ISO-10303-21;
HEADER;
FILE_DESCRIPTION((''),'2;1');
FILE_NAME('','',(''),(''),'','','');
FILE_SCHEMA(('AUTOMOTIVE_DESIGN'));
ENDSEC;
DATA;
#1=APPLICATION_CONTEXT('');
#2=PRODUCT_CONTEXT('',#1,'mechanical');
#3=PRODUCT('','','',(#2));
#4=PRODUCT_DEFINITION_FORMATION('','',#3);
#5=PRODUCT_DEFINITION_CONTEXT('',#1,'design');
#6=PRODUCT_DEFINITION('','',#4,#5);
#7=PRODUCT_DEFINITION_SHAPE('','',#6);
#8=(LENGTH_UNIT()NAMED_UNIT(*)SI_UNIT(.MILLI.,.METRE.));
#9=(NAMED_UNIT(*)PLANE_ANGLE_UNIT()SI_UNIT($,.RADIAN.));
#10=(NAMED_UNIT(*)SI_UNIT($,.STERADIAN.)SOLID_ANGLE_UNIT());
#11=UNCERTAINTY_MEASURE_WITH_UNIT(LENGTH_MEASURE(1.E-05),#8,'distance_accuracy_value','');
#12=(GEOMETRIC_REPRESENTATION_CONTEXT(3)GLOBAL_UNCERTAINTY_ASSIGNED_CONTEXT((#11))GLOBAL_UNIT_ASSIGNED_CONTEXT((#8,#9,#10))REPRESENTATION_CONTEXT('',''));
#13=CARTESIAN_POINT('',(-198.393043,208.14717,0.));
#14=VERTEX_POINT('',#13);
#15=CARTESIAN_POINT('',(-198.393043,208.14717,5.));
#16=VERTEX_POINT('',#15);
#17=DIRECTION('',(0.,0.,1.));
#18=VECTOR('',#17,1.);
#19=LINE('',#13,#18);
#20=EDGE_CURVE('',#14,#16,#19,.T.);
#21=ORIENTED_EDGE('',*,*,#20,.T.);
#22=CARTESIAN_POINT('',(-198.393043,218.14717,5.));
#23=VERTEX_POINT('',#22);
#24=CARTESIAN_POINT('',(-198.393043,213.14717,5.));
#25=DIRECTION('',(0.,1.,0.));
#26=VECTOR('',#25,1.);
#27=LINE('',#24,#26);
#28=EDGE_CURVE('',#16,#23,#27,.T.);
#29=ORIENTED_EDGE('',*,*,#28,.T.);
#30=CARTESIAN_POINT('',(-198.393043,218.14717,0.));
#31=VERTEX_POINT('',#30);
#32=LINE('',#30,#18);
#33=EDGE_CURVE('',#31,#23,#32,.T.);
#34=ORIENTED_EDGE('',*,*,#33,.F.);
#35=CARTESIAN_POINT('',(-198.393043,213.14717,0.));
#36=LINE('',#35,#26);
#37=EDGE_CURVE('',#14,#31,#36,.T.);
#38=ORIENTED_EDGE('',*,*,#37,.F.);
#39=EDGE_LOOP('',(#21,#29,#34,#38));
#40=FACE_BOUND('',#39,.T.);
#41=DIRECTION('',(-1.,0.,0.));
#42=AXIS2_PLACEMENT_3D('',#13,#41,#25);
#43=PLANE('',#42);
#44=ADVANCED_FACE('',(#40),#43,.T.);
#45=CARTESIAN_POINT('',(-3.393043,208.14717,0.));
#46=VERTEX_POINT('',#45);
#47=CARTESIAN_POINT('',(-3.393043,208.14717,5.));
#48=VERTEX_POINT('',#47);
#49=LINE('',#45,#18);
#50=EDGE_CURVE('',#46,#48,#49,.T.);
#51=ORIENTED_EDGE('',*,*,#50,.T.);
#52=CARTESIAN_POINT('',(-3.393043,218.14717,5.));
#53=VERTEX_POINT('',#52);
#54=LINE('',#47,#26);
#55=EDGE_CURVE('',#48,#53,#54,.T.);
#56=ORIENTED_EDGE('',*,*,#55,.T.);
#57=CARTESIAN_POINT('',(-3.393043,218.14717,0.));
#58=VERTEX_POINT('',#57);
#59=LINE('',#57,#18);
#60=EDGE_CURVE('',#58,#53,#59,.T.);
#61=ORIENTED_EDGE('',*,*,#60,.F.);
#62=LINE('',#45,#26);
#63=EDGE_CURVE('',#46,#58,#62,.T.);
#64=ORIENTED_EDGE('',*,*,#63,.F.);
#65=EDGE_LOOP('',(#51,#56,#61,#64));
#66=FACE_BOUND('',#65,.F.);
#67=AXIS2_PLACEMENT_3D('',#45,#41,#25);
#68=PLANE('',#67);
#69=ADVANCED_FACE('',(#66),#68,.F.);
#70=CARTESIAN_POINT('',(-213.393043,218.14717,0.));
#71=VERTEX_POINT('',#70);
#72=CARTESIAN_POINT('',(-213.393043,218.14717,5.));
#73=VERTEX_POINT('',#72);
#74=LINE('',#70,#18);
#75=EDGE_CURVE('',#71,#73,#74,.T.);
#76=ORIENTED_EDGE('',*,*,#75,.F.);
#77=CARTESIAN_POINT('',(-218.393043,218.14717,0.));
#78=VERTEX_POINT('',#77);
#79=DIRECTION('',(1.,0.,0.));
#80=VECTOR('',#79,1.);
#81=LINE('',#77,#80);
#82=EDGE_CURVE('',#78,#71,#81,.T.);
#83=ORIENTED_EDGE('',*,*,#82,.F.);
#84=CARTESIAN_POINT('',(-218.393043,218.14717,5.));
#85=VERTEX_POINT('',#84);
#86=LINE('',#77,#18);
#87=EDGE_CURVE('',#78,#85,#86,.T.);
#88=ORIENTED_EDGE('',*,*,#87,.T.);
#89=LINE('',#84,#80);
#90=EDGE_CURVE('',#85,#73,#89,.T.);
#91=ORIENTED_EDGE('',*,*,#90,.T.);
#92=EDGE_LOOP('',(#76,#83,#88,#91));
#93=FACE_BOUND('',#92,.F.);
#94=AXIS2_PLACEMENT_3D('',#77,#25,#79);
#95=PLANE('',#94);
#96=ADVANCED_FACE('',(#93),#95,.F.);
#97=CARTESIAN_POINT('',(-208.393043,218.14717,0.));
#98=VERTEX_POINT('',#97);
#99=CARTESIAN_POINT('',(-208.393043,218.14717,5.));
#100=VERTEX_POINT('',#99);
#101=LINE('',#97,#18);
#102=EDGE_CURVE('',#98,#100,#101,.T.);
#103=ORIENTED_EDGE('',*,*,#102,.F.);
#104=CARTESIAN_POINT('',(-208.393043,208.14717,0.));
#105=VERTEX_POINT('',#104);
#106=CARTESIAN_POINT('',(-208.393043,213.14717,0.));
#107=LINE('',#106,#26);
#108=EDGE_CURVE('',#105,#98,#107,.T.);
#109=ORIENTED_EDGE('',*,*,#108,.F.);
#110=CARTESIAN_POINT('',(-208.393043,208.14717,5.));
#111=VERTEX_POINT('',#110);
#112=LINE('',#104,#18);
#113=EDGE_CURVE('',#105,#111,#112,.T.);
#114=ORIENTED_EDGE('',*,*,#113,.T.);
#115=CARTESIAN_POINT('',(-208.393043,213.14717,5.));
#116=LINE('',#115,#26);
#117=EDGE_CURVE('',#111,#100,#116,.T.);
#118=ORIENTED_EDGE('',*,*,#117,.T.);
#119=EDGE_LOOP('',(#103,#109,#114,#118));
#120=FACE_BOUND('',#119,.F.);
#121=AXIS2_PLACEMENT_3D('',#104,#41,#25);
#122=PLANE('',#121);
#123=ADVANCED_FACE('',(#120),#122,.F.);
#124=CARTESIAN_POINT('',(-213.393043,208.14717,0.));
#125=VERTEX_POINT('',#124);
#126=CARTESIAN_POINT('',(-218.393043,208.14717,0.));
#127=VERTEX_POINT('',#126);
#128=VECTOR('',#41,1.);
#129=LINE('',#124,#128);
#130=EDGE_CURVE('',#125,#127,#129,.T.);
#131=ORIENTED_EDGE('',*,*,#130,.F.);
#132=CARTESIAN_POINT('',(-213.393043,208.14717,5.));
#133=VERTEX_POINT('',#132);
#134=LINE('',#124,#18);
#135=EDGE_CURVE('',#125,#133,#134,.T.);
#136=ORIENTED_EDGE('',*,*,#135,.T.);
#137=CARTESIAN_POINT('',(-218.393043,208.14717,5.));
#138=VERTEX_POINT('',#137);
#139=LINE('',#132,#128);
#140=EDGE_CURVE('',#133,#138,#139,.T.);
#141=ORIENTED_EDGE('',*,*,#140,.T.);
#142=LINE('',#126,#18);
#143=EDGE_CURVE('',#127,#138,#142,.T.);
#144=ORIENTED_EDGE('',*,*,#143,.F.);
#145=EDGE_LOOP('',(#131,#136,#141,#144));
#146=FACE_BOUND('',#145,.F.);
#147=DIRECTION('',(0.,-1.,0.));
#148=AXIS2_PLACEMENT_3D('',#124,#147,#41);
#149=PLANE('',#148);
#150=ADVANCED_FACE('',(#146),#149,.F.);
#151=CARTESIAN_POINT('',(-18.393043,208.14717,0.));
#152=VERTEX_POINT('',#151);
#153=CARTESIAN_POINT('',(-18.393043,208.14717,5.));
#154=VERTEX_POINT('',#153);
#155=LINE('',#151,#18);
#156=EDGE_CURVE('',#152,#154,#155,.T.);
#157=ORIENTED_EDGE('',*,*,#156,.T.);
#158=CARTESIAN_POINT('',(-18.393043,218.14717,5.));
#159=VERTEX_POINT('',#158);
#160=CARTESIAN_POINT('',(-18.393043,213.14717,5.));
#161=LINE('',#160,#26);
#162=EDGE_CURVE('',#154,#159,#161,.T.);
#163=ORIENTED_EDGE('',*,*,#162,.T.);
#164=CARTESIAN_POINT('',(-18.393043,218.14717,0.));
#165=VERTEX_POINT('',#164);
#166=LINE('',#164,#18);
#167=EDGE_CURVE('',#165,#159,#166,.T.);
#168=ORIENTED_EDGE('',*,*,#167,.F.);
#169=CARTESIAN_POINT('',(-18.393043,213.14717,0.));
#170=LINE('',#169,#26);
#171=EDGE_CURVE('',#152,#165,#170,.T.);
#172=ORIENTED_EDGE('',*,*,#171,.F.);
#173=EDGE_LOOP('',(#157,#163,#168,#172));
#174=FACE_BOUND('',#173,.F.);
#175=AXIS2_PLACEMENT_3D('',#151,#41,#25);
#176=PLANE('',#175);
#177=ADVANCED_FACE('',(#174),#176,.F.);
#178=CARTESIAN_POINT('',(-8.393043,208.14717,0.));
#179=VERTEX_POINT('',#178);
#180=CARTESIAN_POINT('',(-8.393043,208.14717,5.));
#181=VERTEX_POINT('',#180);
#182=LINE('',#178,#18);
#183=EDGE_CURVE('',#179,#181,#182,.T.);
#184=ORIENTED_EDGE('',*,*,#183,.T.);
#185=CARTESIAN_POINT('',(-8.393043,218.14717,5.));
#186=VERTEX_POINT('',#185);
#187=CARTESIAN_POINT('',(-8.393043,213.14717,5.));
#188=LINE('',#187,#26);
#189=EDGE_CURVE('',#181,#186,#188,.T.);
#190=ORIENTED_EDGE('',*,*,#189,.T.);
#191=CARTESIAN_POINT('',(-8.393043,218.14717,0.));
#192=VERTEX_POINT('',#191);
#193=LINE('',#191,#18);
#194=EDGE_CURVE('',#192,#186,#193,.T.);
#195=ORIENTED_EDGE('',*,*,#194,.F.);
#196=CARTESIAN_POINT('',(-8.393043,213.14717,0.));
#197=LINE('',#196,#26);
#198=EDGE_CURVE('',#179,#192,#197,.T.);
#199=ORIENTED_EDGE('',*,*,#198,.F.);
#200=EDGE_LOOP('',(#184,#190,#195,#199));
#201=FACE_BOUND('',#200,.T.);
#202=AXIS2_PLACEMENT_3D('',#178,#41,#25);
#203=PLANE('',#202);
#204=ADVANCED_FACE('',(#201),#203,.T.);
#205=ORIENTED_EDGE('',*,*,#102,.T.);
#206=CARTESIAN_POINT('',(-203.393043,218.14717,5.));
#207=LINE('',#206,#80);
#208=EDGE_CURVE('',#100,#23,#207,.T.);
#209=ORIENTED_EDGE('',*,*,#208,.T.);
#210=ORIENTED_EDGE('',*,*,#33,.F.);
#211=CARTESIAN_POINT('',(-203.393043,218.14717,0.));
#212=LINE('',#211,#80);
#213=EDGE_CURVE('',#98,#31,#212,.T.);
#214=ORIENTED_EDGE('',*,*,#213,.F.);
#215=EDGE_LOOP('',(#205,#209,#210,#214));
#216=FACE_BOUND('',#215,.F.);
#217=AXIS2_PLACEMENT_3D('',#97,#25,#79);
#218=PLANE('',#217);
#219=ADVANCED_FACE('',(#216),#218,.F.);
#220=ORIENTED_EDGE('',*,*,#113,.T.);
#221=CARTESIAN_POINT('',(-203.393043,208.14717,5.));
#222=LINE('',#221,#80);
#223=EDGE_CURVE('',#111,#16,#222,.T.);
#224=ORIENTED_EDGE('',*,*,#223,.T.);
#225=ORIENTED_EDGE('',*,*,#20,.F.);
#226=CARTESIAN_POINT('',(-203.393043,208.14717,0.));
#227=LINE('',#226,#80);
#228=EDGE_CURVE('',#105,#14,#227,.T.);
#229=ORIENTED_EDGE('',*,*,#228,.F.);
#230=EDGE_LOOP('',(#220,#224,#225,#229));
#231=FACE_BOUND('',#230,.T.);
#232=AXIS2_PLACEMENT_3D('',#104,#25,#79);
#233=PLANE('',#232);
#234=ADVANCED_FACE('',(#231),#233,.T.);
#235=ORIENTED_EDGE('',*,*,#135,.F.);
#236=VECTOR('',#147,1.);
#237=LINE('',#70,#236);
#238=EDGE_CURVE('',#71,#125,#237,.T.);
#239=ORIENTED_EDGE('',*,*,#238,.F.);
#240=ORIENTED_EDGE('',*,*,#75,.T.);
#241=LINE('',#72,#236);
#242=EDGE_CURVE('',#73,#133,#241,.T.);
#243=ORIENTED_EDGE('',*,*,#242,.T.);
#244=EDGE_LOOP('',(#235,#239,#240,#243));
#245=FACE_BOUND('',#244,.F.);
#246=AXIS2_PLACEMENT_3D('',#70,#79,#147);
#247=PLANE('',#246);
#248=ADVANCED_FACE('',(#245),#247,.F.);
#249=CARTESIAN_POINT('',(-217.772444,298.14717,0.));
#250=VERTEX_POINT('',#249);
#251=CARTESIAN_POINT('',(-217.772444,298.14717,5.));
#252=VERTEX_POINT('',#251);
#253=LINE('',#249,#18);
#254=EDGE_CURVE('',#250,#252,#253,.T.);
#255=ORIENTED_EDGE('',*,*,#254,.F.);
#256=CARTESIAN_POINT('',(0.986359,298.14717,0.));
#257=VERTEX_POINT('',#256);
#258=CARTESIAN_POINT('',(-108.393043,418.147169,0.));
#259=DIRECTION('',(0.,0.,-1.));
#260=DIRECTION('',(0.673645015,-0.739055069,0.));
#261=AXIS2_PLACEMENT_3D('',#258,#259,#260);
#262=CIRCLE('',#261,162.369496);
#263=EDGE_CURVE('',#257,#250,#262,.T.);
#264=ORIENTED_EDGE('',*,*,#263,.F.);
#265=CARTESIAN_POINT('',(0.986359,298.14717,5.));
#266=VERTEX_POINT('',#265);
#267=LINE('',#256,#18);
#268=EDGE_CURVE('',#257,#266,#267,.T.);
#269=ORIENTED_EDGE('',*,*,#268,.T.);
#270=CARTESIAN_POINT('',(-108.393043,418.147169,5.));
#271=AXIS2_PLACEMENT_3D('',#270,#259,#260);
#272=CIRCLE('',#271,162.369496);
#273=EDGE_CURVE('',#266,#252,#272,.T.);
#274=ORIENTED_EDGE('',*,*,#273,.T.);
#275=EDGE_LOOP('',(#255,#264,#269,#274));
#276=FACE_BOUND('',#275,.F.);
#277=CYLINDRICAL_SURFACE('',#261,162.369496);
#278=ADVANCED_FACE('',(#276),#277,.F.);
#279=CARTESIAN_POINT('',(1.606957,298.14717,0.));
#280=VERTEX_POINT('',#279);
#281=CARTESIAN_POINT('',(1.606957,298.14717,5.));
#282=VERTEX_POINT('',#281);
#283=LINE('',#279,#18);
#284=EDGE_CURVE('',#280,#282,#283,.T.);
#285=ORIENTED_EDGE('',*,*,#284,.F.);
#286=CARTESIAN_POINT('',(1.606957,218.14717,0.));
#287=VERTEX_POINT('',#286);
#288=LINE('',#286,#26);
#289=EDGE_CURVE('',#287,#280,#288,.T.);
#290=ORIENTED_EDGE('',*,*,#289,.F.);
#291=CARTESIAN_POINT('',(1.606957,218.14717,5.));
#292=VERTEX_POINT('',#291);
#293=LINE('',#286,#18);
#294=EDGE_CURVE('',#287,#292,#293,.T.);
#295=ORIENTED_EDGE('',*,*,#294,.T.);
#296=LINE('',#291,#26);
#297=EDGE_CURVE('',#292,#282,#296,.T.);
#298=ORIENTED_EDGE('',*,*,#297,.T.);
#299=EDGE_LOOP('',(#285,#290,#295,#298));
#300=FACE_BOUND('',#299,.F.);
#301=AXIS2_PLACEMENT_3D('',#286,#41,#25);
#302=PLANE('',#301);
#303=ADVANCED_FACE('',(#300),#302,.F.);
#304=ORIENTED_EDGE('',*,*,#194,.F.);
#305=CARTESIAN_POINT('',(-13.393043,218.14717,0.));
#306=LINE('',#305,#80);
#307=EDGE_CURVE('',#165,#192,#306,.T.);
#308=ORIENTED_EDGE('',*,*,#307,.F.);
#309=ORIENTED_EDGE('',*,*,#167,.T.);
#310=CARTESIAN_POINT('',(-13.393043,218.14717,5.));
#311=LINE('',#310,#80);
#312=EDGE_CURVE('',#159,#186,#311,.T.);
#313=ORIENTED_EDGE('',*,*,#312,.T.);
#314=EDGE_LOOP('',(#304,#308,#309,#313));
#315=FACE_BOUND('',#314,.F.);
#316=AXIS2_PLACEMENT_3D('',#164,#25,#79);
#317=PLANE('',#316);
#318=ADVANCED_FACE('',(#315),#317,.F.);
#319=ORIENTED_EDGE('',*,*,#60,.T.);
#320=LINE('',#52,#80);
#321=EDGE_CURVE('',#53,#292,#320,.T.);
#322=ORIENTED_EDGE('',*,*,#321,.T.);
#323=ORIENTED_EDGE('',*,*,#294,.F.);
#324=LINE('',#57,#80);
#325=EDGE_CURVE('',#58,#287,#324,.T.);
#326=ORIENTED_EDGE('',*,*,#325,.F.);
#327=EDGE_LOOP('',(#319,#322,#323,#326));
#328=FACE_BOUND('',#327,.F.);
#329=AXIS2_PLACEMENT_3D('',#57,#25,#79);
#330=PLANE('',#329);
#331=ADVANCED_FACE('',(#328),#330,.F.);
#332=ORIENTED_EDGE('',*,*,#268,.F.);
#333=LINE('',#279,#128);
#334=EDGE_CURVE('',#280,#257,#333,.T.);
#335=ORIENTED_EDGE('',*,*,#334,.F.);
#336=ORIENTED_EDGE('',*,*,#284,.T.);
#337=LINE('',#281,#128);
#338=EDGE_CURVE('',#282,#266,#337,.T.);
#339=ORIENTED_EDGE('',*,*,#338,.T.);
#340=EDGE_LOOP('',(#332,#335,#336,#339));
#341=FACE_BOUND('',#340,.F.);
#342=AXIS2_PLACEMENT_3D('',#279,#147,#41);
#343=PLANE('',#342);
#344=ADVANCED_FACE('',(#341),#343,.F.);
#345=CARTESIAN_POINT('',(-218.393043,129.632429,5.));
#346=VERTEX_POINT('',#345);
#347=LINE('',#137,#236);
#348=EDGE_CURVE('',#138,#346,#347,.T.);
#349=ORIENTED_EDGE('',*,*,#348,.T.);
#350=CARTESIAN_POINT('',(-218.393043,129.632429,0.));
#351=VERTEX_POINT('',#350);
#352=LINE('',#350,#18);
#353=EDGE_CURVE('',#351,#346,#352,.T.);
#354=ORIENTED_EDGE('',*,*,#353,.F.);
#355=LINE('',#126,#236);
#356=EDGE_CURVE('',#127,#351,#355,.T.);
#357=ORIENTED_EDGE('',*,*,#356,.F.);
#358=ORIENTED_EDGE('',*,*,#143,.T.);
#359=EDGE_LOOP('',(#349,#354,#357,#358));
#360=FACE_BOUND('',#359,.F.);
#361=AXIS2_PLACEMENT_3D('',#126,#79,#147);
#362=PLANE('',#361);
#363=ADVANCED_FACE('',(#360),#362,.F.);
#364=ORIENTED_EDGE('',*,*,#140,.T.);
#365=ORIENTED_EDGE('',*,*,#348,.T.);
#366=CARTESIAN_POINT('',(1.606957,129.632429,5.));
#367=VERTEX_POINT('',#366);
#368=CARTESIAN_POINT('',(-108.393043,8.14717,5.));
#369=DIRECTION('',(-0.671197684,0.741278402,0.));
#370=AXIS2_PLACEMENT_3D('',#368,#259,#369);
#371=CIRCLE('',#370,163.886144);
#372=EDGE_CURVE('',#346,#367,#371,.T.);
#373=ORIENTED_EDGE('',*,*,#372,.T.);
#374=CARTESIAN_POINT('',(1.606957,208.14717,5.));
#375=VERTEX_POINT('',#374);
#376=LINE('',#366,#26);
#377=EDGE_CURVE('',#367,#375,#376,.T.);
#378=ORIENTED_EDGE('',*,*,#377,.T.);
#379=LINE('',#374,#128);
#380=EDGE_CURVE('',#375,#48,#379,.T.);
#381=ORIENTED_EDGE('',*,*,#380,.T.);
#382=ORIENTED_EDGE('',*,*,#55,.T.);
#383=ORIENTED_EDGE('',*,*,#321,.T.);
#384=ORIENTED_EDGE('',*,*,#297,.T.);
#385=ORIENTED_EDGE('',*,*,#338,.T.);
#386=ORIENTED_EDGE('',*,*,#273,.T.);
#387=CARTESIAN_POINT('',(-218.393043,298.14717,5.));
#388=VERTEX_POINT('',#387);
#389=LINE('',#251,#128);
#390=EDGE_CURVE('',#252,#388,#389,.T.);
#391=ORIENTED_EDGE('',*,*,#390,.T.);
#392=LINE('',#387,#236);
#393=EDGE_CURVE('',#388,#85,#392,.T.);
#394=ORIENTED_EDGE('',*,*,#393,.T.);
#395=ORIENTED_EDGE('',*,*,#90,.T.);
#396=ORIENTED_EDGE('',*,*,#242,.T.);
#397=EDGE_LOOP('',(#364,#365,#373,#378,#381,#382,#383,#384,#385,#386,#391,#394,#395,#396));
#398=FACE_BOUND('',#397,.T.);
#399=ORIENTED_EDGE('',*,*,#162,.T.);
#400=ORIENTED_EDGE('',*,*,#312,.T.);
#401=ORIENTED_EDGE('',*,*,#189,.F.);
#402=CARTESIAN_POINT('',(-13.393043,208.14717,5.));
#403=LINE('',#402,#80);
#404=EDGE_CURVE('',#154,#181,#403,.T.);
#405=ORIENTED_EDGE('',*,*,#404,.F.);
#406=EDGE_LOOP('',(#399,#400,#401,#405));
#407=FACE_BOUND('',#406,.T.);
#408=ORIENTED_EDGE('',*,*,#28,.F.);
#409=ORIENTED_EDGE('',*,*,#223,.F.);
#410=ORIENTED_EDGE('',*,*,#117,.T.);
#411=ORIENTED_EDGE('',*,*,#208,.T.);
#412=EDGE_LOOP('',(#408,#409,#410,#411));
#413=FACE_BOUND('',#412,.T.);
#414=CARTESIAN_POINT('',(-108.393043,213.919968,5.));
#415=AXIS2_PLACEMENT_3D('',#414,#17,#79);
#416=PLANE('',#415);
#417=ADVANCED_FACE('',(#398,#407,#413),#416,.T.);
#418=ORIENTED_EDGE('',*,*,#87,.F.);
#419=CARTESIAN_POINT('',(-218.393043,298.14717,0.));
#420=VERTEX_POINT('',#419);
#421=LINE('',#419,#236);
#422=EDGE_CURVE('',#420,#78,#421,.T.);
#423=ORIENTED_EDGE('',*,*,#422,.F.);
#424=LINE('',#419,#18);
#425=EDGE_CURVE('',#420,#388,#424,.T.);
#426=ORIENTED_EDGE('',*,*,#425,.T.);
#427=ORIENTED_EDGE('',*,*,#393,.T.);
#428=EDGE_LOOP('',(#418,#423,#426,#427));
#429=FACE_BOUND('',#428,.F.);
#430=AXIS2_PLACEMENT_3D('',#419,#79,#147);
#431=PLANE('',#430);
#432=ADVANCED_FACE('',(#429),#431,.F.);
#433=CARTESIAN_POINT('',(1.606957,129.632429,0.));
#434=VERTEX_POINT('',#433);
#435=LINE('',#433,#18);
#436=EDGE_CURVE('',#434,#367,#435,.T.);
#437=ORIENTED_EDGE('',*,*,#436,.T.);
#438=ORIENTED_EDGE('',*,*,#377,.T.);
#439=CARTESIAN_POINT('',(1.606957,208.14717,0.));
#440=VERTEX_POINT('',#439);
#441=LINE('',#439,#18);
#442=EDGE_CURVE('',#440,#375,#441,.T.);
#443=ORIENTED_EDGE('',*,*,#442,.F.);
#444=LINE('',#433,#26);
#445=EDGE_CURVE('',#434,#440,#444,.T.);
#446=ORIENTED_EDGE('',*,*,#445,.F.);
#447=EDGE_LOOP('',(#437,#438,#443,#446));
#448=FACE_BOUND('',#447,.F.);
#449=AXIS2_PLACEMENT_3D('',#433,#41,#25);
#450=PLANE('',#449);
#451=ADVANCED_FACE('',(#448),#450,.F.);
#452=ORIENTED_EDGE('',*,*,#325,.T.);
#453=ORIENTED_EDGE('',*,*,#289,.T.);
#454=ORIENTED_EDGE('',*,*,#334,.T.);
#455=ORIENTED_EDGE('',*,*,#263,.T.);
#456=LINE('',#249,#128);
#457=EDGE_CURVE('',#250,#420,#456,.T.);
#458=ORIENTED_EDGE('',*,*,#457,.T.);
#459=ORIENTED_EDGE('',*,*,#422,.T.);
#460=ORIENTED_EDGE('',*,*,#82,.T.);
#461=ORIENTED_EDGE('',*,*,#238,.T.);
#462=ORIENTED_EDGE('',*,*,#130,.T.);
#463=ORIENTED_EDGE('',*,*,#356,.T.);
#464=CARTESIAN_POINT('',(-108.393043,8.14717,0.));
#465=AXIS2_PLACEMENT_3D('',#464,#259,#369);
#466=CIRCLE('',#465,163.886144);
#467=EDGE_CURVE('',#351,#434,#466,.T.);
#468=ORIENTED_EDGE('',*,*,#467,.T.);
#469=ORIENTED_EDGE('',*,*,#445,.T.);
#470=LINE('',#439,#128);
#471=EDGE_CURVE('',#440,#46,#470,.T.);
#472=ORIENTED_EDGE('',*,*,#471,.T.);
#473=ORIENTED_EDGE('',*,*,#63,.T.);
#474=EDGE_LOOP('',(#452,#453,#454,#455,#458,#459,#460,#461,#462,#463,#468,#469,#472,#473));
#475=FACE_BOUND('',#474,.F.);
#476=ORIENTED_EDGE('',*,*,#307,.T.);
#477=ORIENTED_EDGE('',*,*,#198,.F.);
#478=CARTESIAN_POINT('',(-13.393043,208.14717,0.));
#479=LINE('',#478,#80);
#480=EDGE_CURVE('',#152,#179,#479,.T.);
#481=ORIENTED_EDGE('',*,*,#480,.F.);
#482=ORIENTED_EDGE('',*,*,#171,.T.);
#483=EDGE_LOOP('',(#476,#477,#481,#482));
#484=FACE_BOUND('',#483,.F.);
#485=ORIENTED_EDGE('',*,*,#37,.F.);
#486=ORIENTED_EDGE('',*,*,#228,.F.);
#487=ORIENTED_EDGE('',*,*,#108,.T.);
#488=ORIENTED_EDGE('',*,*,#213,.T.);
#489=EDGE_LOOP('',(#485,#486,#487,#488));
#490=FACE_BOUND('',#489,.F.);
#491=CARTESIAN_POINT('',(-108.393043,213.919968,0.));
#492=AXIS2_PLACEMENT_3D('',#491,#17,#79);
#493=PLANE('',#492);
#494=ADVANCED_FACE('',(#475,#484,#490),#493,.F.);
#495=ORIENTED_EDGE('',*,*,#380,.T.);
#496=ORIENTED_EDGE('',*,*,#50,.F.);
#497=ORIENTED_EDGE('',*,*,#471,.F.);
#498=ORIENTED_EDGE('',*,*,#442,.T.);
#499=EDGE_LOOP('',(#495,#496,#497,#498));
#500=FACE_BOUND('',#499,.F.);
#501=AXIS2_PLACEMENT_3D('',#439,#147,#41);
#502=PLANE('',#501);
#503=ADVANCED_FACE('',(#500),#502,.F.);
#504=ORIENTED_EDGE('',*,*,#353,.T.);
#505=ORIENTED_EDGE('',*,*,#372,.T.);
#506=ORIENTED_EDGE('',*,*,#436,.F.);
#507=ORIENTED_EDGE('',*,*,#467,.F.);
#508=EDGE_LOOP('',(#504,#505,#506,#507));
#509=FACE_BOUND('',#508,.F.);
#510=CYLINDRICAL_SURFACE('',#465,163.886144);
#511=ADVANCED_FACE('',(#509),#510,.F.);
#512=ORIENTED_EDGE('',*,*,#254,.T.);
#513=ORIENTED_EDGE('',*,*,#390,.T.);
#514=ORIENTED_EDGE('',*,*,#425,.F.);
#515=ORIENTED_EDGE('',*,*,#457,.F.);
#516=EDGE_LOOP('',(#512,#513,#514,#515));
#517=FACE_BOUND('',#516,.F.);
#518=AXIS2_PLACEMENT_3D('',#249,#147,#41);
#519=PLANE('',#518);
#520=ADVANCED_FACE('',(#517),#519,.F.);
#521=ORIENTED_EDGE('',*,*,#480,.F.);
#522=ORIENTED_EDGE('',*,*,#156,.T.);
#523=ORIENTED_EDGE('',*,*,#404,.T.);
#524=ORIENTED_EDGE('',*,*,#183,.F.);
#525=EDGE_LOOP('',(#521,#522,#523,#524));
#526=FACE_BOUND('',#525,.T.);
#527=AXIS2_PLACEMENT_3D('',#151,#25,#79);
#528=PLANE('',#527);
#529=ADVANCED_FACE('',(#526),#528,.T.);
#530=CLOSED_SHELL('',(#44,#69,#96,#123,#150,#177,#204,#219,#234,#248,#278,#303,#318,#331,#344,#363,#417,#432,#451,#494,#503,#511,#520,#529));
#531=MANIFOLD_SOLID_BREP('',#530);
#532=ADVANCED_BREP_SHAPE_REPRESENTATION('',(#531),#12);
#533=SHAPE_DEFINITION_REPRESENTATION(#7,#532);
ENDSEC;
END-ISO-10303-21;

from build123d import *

# Parameters (mm, degrees)
F0_W     = 10
F0_H     = 10
F1_DEPTH = 5


with BuildPart() as f1:
    # F0 (on Top) → F1 (new body)
    with BuildSketch(Plane.XY):
        with BuildLine():
            Line((-217.772444, 298.14717), (-218.393043, 298.14717))
            Line((-218.393043, 298.14717), (-218.393043, 218.14717))
            Line((-218.393043, 218.14717), (-213.393043, 218.14717))
            Line((-213.393043, 218.14717), (-213.393043, 208.14717))
            Line((-213.393043, 208.14717), (-218.393043, 208.14717))
            Line((-218.393043, 208.14717), (-218.393043, 129.632429))
            ThreePointArc((-218.393043, 129.632429), (-108.393043, 172.033314), (1.606957, 129.632429))
            Line((1.606957, 129.632429), (1.606957, 208.14717))
            Line((1.606957, 208.14717), (-3.393043, 208.14717))
            Line((-3.393043, 208.14717), (-3.393043, 218.14717))
            Line((-3.393043, 218.14717), (1.606957, 218.14717))
            Line((1.606957, 218.14717), (1.606957, 298.14717))
            Line((1.606957, 298.14717), (0.986359, 298.14717))
            ThreePointArc((0.986359, 298.14717), (-108.393043, 255.777673), (-217.772444, 298.14717))
        make_face()
        with Locations((-203.393043, 213.14717)):
            Rectangle(F0_W, F0_H, mode=Mode.SUBTRACT)
        with Locations((-13.393043, 213.14717)):
            Rectangle(F0_W, F0_H, mode=Mode.SUBTRACT)
    extrude(amount=F1_DEPTH)


solid = f1.part
